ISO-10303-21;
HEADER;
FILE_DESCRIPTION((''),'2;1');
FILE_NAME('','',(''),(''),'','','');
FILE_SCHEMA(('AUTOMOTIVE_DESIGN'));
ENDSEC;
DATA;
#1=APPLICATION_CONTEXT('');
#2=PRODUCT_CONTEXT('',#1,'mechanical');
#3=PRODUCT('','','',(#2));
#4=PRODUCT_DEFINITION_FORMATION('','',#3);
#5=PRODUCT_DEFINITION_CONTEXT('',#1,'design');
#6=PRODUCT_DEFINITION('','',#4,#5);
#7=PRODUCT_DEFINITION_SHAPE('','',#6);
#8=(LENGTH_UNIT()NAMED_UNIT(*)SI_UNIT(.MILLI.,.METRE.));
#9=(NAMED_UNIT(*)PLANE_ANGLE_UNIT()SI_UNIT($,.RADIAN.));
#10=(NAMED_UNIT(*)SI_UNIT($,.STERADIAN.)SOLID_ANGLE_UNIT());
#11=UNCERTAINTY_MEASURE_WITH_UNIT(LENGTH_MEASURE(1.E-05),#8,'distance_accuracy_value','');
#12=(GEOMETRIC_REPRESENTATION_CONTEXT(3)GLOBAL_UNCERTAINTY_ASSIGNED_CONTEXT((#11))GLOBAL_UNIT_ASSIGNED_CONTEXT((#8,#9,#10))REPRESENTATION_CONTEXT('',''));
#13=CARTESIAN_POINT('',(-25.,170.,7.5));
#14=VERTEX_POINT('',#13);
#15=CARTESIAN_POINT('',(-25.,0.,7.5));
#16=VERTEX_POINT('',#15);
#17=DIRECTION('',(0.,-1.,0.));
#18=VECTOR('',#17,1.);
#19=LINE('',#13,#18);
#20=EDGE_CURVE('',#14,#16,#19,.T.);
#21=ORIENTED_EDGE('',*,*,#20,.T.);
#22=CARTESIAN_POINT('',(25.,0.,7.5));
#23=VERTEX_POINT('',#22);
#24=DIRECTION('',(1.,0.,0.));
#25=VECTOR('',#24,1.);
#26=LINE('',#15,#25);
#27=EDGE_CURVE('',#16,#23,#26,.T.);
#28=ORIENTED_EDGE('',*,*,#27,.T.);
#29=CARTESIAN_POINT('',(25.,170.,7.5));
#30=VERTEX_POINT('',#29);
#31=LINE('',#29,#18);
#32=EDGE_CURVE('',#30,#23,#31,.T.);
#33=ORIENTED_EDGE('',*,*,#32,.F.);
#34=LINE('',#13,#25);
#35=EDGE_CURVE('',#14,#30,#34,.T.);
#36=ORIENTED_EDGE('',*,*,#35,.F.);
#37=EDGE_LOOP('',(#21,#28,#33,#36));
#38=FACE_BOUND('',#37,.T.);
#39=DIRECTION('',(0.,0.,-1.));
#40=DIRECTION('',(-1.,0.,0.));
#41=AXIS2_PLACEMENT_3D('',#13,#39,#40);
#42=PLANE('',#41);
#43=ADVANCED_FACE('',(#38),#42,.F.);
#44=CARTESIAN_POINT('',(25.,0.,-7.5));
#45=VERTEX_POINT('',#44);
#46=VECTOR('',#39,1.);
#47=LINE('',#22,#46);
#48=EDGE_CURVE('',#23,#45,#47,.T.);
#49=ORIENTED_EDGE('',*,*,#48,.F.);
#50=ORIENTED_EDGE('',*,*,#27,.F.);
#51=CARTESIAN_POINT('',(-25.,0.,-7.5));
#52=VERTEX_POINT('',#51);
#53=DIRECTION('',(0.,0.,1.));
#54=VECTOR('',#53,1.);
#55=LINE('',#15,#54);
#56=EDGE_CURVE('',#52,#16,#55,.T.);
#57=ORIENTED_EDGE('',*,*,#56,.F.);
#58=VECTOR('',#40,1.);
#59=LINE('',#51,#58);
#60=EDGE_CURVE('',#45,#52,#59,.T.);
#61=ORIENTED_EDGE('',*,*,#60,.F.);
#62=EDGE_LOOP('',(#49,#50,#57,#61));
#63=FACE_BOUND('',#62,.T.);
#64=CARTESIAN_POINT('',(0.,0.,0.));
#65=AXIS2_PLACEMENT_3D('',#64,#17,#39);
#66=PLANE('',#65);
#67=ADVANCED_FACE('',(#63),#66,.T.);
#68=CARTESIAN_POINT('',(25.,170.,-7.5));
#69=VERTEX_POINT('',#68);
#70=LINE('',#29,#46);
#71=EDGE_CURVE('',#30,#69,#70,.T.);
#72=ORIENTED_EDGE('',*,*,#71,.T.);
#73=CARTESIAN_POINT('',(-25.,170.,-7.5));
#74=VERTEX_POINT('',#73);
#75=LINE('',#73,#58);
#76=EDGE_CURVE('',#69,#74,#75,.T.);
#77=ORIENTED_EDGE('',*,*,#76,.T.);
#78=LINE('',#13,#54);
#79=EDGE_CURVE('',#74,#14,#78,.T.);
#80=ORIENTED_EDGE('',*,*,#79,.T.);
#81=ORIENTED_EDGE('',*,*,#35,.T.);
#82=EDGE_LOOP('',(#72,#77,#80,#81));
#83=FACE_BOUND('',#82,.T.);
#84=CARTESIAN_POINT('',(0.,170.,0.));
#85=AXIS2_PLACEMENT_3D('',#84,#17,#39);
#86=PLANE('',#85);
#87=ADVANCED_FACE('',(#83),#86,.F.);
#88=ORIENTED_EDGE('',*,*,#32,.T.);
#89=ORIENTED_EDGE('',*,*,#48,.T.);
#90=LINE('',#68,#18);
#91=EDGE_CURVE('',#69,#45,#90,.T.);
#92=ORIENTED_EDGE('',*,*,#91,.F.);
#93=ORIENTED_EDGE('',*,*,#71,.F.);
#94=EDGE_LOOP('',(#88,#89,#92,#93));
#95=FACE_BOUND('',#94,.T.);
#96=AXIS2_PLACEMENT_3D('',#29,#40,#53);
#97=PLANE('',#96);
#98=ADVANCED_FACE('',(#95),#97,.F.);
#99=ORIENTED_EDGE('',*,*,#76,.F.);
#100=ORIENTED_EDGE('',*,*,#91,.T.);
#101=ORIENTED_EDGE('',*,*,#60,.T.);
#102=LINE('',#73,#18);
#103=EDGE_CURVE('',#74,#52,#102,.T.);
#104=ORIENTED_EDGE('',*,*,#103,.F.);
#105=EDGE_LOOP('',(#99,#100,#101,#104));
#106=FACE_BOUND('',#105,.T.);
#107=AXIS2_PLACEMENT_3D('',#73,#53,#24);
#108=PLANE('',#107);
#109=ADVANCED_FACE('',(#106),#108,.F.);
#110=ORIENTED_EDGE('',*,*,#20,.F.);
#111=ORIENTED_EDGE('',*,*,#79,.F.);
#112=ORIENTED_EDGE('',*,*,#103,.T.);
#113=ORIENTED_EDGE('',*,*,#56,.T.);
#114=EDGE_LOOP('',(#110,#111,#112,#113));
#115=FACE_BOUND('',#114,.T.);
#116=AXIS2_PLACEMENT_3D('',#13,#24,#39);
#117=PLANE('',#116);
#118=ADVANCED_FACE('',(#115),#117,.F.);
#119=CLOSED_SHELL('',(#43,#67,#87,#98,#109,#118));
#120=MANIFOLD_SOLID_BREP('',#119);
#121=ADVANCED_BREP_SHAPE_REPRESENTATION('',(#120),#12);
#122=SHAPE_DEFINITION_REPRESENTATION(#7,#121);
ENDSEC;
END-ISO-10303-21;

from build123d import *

# Parameters (mm, degrees)
SZKIC1_W                    = 50
SZKIC1_H                    = 15
DODANIE_WYCI_GNI_CIE1_DEPTH = 170


with BuildPart() as part:
    # Szkic1 → Dodanie-wyciągnięcie1 (new body)
    with BuildSketch(Plane(origin=(0, 0, 0), x_dir=(1, 0, 0), z_dir=(0, 1, 0))):
        Rectangle(SZKIC1_W, SZKIC1_H)
    extrude(amount=DODANIE_WYCI_GNI_CIE1_DEPTH)


solid = part.part
